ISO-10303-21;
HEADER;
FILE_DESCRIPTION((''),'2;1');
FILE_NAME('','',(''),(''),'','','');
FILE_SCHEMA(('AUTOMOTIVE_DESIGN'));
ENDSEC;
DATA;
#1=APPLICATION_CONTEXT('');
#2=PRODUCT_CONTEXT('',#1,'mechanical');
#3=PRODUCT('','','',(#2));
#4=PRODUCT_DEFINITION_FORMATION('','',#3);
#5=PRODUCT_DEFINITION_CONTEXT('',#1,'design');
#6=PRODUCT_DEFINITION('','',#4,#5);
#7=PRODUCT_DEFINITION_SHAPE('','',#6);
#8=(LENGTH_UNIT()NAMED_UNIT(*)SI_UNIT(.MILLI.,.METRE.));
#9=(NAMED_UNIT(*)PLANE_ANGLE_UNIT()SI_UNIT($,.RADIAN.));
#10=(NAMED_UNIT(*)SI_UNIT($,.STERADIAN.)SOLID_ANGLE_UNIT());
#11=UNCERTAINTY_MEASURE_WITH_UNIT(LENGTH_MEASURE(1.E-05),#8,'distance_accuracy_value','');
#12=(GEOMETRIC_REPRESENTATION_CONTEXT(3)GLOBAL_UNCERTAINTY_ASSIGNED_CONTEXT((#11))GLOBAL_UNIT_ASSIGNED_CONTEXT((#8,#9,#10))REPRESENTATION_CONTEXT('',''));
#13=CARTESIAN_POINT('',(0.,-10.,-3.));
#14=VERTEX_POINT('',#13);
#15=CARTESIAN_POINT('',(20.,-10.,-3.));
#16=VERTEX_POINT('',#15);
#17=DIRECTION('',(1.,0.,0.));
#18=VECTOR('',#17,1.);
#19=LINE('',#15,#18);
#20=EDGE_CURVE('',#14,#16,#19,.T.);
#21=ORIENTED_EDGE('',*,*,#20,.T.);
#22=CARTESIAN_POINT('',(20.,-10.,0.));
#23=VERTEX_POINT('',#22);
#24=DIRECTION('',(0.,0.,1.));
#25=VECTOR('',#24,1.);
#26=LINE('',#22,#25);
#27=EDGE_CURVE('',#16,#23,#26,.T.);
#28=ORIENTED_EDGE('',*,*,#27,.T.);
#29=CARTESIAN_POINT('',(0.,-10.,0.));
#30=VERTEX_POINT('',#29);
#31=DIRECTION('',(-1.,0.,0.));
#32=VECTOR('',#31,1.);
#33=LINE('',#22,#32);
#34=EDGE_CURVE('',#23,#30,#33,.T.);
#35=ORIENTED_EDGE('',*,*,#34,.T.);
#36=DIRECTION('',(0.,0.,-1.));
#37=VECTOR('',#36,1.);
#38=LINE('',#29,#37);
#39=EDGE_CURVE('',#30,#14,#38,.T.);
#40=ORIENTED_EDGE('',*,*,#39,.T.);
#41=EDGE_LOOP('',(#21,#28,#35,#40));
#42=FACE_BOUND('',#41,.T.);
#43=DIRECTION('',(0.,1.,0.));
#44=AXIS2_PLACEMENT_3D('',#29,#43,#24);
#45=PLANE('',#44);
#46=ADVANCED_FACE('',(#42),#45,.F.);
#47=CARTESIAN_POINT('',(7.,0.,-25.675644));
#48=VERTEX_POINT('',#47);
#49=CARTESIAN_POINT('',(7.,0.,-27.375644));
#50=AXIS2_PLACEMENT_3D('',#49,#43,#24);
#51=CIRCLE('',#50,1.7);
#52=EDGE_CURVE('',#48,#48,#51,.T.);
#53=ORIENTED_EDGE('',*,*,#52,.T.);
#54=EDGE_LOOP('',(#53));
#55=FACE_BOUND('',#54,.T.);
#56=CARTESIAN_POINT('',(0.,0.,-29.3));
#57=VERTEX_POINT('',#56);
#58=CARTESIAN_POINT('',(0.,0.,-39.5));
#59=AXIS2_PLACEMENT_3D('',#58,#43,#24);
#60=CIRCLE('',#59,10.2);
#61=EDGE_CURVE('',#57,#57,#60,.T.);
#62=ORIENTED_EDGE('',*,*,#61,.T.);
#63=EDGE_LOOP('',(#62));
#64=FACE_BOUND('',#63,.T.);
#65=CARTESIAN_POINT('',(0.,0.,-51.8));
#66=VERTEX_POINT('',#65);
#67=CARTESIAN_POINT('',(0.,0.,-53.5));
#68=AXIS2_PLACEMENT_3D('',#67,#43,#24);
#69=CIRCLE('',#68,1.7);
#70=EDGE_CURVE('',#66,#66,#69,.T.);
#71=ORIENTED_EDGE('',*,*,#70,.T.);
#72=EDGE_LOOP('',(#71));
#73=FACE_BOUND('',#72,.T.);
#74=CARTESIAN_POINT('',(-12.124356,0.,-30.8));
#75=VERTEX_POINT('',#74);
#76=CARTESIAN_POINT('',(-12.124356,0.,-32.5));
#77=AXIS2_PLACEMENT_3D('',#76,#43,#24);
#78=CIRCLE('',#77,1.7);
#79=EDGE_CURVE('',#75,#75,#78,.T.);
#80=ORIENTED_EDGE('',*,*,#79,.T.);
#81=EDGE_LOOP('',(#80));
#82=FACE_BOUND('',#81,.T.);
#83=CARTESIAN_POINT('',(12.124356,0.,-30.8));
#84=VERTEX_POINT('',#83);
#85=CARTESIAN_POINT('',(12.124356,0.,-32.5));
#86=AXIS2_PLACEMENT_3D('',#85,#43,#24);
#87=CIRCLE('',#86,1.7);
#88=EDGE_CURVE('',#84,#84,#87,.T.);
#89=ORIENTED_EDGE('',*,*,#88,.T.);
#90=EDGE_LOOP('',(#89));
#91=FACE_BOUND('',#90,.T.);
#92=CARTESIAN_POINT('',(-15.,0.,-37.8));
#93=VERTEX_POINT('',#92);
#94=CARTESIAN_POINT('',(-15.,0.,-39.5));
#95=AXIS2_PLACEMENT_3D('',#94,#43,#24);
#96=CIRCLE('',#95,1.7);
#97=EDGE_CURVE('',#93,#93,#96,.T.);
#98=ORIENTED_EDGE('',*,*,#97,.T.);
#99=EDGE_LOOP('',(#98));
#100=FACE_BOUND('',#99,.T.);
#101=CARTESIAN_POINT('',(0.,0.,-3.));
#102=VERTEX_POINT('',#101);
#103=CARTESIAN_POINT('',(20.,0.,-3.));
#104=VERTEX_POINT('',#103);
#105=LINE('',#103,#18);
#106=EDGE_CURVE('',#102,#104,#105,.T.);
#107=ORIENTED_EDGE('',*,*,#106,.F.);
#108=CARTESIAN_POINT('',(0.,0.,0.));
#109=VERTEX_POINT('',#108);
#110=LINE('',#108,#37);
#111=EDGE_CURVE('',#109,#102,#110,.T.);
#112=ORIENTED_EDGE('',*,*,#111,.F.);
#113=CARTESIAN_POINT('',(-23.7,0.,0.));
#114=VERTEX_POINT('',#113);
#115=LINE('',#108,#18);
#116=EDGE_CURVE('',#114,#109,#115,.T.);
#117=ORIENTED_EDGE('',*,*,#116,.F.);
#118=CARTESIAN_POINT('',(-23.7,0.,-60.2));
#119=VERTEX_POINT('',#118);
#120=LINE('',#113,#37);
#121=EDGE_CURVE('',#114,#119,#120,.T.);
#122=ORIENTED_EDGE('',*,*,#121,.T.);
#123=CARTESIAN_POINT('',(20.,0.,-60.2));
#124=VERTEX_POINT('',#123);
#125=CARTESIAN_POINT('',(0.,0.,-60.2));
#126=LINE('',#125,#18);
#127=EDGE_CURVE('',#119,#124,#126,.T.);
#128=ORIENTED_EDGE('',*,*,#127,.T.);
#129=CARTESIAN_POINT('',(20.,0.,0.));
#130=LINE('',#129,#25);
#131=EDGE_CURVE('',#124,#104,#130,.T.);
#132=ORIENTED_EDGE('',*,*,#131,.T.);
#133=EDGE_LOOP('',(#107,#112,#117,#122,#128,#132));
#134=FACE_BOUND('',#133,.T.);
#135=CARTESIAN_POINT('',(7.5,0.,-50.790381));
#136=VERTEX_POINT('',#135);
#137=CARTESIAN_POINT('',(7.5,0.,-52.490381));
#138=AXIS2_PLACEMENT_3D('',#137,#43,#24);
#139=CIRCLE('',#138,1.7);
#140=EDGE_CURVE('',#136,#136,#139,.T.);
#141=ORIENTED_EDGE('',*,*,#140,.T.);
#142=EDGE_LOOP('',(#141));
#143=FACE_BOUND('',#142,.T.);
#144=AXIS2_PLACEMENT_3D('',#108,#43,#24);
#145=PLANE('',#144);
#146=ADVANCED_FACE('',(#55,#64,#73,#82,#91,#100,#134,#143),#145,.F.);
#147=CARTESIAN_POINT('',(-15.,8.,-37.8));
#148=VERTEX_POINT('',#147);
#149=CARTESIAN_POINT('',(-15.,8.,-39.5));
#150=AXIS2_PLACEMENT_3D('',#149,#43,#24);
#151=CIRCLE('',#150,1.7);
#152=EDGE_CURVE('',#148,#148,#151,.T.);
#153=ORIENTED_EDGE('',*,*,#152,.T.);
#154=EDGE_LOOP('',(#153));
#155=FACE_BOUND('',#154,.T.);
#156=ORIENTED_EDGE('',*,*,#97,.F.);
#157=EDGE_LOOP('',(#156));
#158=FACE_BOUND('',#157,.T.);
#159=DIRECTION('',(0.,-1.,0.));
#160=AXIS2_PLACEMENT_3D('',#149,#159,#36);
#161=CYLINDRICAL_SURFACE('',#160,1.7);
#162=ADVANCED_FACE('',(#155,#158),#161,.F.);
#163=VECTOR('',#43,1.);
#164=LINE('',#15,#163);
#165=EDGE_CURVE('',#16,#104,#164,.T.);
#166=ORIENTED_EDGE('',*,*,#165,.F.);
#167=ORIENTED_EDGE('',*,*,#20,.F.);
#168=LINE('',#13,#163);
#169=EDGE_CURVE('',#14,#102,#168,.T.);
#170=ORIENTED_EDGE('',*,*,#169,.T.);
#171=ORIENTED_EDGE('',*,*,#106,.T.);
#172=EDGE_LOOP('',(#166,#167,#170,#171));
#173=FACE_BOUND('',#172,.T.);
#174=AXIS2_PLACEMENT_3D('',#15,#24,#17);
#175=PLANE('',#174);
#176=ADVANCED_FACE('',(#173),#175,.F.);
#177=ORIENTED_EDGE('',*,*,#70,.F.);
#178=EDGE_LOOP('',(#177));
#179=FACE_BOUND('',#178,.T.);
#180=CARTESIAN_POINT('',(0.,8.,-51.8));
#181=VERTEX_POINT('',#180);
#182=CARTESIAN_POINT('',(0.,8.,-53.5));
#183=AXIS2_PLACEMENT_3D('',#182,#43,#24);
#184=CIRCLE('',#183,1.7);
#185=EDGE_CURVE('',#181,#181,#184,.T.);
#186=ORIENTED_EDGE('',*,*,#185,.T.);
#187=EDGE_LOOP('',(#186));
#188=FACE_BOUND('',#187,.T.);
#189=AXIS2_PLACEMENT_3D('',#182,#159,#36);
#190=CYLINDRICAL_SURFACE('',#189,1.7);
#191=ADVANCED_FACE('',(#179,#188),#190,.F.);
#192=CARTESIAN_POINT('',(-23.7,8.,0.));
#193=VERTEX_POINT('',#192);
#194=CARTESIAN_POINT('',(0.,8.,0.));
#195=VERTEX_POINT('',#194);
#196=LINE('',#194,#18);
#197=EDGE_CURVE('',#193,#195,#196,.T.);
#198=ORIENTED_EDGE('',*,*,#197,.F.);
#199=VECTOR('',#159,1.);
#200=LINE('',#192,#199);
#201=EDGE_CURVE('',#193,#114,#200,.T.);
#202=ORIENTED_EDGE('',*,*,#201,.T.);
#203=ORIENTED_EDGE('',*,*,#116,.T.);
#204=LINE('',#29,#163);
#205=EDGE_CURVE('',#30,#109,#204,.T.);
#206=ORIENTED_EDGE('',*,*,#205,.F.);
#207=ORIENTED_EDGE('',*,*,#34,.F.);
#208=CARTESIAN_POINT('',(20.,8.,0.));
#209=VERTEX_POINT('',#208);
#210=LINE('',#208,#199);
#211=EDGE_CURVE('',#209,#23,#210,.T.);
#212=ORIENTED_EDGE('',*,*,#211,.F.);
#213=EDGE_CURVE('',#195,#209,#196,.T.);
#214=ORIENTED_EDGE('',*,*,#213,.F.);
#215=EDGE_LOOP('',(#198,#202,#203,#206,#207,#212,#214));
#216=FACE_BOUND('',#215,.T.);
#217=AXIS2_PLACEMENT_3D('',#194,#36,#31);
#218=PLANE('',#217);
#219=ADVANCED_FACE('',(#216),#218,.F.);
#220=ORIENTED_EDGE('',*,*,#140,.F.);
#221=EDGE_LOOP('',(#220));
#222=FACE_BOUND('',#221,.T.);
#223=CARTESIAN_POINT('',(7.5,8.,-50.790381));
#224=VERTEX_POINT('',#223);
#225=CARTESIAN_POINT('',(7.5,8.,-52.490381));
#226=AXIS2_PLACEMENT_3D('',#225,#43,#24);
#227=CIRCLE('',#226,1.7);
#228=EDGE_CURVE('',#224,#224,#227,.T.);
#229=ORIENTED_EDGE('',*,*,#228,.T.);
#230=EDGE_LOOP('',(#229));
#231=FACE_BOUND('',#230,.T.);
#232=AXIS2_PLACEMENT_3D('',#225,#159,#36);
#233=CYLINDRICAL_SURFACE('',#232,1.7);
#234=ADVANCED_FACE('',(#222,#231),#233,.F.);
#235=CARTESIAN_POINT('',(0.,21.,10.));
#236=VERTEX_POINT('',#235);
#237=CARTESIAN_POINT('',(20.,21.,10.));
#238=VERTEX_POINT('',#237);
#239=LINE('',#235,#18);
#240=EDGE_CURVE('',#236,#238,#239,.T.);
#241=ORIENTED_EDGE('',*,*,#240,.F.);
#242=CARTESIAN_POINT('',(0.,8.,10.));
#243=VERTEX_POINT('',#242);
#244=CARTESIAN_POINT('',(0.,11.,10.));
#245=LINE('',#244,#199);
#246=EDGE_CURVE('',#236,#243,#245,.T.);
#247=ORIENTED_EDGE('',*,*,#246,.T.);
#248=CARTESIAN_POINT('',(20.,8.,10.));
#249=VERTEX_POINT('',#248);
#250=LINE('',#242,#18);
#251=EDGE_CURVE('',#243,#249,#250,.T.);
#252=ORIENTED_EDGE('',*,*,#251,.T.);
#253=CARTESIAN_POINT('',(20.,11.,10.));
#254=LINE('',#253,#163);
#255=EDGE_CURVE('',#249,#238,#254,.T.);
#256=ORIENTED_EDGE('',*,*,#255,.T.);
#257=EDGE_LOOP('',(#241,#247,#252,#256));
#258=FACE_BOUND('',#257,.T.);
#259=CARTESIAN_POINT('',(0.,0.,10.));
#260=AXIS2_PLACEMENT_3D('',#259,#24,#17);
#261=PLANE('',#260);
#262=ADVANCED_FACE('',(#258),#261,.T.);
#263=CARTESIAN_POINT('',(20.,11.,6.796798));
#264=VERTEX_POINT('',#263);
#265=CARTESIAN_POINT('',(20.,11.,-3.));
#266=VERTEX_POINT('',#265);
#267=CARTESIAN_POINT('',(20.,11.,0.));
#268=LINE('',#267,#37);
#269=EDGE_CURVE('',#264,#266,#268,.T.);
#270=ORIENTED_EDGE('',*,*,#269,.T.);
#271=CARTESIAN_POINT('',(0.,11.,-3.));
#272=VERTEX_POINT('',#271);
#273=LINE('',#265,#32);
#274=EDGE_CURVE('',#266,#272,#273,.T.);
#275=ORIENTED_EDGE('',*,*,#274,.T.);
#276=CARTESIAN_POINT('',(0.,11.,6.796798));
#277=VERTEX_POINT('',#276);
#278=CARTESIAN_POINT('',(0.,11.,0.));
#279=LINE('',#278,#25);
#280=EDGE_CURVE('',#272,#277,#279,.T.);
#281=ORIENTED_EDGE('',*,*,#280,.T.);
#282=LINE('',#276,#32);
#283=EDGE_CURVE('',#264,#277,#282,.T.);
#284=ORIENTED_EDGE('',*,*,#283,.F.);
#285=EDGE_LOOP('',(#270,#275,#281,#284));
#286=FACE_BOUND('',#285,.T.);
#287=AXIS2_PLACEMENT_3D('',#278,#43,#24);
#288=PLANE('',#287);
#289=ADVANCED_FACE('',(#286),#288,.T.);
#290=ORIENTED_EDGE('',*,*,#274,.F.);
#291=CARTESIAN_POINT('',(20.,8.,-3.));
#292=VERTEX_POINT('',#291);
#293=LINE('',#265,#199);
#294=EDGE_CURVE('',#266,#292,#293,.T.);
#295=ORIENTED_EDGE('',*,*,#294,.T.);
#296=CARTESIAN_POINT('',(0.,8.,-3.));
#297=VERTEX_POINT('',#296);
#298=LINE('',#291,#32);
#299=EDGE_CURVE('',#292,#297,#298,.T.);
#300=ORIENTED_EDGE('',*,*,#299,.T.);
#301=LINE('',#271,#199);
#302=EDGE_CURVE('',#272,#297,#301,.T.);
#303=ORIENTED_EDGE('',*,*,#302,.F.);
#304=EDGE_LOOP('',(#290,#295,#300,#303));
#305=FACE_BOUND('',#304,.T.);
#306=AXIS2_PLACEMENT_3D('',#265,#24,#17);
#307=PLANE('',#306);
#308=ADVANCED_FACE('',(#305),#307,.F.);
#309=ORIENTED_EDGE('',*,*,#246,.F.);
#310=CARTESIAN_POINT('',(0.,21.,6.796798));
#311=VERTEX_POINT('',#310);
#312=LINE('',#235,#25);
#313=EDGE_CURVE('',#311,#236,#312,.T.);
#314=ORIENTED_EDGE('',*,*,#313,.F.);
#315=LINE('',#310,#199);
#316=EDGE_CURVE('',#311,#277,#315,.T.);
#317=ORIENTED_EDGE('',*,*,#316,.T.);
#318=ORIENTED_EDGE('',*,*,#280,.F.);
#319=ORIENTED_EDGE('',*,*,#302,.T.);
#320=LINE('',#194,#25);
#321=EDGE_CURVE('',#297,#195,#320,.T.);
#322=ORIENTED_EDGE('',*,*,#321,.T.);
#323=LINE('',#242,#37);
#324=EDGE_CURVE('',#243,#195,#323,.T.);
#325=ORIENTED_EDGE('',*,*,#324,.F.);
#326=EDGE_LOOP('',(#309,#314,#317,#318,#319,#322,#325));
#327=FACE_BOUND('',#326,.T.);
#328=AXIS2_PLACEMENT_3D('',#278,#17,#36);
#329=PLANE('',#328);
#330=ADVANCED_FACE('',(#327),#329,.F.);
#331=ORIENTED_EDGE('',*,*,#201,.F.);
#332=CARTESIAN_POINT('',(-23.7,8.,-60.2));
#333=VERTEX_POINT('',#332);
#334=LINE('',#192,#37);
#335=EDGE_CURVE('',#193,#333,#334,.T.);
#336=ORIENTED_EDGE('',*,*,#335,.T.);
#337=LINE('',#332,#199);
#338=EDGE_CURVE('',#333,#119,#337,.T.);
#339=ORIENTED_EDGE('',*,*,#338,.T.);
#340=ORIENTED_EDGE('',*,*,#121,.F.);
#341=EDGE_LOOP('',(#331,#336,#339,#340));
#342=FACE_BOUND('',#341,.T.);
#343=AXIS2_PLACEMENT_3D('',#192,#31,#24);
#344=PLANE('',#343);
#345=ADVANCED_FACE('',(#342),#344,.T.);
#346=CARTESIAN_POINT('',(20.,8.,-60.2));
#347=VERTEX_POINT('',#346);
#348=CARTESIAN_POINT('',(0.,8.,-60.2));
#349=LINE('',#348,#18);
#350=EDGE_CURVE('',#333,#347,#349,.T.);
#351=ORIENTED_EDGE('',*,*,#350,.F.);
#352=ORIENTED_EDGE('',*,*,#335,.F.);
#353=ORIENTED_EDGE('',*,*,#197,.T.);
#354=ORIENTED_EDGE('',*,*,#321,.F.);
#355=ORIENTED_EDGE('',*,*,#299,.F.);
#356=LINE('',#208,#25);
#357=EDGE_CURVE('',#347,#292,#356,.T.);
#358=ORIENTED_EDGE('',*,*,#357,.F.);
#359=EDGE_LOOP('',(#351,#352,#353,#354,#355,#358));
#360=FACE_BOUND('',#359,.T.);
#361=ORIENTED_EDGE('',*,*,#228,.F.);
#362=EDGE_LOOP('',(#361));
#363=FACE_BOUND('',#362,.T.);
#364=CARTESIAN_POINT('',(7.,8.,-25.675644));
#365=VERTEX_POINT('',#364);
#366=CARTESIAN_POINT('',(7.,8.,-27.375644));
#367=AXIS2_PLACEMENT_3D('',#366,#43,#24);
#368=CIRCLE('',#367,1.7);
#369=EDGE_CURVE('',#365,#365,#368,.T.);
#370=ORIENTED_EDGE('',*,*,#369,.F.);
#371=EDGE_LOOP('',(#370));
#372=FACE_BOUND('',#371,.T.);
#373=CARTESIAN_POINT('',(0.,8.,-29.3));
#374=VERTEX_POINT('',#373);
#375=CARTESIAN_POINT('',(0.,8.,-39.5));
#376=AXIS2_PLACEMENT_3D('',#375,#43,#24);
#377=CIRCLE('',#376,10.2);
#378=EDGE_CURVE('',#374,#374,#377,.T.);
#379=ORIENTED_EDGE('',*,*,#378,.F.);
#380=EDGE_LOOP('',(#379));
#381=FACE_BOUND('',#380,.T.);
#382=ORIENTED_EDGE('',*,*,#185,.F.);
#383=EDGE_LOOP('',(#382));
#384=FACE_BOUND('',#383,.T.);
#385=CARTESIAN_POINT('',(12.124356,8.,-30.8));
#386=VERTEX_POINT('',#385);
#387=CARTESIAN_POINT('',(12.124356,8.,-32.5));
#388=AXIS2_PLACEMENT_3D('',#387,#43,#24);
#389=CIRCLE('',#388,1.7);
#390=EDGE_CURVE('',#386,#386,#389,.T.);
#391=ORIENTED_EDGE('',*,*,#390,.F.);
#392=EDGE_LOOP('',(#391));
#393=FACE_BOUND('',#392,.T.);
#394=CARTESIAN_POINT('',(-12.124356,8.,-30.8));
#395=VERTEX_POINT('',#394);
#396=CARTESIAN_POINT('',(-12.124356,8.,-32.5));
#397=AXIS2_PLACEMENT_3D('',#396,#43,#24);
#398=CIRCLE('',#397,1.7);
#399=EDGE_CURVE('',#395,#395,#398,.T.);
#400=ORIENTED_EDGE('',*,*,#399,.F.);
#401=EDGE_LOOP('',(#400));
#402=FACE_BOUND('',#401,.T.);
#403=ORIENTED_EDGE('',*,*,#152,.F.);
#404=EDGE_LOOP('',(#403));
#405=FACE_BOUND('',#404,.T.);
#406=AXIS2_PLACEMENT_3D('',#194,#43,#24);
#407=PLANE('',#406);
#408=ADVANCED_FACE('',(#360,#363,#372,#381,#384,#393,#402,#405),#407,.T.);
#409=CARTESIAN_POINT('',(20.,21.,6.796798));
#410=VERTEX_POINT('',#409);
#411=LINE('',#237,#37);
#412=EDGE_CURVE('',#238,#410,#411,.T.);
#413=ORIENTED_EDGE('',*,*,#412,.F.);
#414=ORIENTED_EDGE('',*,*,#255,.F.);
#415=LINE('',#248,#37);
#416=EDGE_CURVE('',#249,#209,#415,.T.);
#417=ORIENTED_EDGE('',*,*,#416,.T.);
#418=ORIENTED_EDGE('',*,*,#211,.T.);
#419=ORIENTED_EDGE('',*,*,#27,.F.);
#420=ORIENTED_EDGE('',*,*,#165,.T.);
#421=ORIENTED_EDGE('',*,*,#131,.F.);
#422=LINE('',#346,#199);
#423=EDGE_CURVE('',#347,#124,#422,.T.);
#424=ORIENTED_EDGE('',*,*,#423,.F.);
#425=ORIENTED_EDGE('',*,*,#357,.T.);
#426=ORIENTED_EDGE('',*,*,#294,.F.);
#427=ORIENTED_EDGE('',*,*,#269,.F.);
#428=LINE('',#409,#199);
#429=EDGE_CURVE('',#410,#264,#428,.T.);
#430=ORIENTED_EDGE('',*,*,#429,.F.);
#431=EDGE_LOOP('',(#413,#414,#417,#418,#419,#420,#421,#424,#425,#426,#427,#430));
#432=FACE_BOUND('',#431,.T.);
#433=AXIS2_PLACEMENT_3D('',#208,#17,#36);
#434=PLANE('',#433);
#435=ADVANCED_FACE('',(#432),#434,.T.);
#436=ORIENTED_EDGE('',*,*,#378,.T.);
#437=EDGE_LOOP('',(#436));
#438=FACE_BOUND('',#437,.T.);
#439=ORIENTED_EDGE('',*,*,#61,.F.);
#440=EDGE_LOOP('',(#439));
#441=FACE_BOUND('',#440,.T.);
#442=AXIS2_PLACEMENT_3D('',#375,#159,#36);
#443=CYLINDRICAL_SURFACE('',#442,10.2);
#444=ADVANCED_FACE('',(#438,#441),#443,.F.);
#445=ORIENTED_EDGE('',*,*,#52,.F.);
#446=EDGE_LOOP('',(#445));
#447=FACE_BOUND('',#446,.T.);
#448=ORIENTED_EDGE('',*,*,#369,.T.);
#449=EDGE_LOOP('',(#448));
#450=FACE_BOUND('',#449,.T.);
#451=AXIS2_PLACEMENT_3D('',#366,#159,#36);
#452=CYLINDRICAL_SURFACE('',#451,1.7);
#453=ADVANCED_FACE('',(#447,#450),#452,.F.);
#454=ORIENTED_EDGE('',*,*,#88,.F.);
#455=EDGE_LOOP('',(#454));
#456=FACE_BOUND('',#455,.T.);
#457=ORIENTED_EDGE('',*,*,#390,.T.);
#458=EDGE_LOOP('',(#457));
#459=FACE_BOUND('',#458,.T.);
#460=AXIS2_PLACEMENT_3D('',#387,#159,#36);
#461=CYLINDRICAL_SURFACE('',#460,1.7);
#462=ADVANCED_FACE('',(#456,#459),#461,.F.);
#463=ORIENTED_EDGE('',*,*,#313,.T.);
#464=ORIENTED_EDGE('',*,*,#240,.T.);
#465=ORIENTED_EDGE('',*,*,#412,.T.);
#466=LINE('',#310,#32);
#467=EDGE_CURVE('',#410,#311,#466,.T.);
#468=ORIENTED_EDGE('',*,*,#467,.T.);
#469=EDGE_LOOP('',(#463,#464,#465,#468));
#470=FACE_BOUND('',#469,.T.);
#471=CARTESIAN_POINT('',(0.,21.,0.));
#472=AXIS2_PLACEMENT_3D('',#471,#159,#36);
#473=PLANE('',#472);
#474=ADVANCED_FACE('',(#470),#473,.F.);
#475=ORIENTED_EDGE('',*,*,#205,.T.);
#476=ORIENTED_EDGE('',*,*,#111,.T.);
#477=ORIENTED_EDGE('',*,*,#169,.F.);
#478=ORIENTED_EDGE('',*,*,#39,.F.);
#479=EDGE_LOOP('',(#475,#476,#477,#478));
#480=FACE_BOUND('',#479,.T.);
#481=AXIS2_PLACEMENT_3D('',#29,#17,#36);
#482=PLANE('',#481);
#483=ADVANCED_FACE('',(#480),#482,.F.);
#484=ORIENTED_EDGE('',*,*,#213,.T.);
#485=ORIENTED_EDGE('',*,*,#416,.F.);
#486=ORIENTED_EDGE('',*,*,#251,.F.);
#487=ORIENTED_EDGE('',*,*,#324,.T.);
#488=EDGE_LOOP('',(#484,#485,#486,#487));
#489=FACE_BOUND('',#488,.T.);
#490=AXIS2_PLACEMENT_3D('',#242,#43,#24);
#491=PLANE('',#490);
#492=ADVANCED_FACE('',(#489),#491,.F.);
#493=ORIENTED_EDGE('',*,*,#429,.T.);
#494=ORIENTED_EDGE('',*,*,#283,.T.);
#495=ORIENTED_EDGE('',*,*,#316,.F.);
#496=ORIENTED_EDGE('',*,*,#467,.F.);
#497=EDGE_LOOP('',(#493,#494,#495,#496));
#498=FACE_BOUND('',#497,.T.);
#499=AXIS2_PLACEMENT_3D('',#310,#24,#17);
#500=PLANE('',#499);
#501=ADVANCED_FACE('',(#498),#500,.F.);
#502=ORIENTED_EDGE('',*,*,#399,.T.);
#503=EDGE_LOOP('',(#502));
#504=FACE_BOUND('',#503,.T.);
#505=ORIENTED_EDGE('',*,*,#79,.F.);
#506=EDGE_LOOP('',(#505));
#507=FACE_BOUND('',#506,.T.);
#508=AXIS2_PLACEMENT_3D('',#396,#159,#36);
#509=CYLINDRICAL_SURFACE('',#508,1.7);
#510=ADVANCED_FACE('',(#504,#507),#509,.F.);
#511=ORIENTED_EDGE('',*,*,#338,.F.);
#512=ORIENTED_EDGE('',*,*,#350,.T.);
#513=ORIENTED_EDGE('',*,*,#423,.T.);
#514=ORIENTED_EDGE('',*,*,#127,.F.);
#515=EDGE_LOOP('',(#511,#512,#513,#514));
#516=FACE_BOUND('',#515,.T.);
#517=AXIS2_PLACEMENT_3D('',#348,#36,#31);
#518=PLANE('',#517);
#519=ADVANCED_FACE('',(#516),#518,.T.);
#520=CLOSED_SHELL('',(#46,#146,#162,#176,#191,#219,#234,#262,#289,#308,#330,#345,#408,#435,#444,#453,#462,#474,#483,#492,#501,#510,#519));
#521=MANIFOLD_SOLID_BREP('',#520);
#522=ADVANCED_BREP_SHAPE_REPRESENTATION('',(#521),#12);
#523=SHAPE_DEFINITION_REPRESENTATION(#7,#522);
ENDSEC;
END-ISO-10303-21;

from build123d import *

# Parameters (mm, degrees)
SKETCH1_W            = 43.7
SKETCH1_H            = 60.2
SKETCH1_R            = 1.7
SKETCH1_R_2          = 10.2
BOSS_EXTRUDE2_DEPTH  = 8
SKETCH7_W            = 20
SKETCH7_H            = 3
BOSS_EXTRUDE7_DEPTH  = 10
SKETCH8_W            = 20
SKETCH8_H            = 3
BOSS_EXTRUDE8_DEPTH  = 3
SKETCH9_W            = 20
SKETCH9_H            = 3
BOSS_EXTRUDE9_DEPTH  = 10
SKETCH10_W           = 20
SKETCH10_H           = 3.203201764
BOSS_EXTRUDE10_DEPTH = 10


with BuildPart() as part:
    # Sketch1 → Boss-Extrude2 (new body)
    with BuildSketch(Plane(origin=(0, 0, 0), x_dir=(1, 0, 0), z_dir=(0, 1, 0))):
        with Locations((-1.85, 30.1)):
            Rectangle(SKETCH1_W, SKETCH1_H)
        with Locations(Location((7, 27.375644347, 0), (0, 0, 270))):
            Circle(SKETCH1_R, mode=Mode.SUBTRACT)
        with Locations(Location((7.5, 52.490381057, 0), (0, 0, 270))):
            Circle(SKETCH1_R, mode=Mode.SUBTRACT)
        with Locations(Location((0, 53.5, 0), (0, 0, 270))):
            Circle(SKETCH1_R, mode=Mode.SUBTRACT)
        with Locations(Location((-15, 39.5, 0), (0, 0, 270))):
            Circle(SKETCH1_R, mode=Mode.SUBTRACT)
        with Locations(Location((12.124355653, 32.5, 0), (0, 0, 270))):
            Circle(SKETCH1_R, mode=Mode.SUBTRACT)
        with Locations(Location((0, 39.5, 0), (0, 0, 270))):
            Circle(SKETCH1_R_2, mode=Mode.SUBTRACT)
        with Locations(Location((-12.124355653, 32.5, 0), (0, 0, 270))):
            Circle(SKETCH1_R, mode=Mode.SUBTRACT)
    extrude(amount=BOSS_EXTRUDE2_DEPTH)

    # Sketch7 → Boss-Extrude7 (add)
    with BuildSketch(Plane.XZ):
        with Locations((10, -1.5)):
            Rectangle(SKETCH7_W, SKETCH7_H)
    extrude(amount=BOSS_EXTRUDE7_DEPTH)

    # Sketch8 → Boss-Extrude8 (add)
    with BuildSketch(Plane(origin=(0, 8, 0), x_dir=(1, 0, 0), z_dir=(0, 1, 0))):
        with Locations((10, 1.5)):
            Rectangle(SKETCH8_W, SKETCH8_H)
    extrude(amount=BOSS_EXTRUDE8_DEPTH)

    # Sketch9 → Boss-Extrude9 (add)
    with BuildSketch(Plane.XY):
        with Locations((10, 9.5)):
            Rectangle(SKETCH9_W, SKETCH9_H)
    extrude(amount=BOSS_EXTRUDE9_DEPTH)

    # Sketch10 → Boss-Extrude10 (add)
    with BuildSketch(Plane(origin=(0, 11, 0), x_dir=(1, 0, 0), z_dir=(0, 1, 0))):
        with Locations((10, -8.398399118)):
            Rectangle(SKETCH10_W, SKETCH10_H)
    extrude(amount=BOSS_EXTRUDE10_DEPTH)


solid = part.part
